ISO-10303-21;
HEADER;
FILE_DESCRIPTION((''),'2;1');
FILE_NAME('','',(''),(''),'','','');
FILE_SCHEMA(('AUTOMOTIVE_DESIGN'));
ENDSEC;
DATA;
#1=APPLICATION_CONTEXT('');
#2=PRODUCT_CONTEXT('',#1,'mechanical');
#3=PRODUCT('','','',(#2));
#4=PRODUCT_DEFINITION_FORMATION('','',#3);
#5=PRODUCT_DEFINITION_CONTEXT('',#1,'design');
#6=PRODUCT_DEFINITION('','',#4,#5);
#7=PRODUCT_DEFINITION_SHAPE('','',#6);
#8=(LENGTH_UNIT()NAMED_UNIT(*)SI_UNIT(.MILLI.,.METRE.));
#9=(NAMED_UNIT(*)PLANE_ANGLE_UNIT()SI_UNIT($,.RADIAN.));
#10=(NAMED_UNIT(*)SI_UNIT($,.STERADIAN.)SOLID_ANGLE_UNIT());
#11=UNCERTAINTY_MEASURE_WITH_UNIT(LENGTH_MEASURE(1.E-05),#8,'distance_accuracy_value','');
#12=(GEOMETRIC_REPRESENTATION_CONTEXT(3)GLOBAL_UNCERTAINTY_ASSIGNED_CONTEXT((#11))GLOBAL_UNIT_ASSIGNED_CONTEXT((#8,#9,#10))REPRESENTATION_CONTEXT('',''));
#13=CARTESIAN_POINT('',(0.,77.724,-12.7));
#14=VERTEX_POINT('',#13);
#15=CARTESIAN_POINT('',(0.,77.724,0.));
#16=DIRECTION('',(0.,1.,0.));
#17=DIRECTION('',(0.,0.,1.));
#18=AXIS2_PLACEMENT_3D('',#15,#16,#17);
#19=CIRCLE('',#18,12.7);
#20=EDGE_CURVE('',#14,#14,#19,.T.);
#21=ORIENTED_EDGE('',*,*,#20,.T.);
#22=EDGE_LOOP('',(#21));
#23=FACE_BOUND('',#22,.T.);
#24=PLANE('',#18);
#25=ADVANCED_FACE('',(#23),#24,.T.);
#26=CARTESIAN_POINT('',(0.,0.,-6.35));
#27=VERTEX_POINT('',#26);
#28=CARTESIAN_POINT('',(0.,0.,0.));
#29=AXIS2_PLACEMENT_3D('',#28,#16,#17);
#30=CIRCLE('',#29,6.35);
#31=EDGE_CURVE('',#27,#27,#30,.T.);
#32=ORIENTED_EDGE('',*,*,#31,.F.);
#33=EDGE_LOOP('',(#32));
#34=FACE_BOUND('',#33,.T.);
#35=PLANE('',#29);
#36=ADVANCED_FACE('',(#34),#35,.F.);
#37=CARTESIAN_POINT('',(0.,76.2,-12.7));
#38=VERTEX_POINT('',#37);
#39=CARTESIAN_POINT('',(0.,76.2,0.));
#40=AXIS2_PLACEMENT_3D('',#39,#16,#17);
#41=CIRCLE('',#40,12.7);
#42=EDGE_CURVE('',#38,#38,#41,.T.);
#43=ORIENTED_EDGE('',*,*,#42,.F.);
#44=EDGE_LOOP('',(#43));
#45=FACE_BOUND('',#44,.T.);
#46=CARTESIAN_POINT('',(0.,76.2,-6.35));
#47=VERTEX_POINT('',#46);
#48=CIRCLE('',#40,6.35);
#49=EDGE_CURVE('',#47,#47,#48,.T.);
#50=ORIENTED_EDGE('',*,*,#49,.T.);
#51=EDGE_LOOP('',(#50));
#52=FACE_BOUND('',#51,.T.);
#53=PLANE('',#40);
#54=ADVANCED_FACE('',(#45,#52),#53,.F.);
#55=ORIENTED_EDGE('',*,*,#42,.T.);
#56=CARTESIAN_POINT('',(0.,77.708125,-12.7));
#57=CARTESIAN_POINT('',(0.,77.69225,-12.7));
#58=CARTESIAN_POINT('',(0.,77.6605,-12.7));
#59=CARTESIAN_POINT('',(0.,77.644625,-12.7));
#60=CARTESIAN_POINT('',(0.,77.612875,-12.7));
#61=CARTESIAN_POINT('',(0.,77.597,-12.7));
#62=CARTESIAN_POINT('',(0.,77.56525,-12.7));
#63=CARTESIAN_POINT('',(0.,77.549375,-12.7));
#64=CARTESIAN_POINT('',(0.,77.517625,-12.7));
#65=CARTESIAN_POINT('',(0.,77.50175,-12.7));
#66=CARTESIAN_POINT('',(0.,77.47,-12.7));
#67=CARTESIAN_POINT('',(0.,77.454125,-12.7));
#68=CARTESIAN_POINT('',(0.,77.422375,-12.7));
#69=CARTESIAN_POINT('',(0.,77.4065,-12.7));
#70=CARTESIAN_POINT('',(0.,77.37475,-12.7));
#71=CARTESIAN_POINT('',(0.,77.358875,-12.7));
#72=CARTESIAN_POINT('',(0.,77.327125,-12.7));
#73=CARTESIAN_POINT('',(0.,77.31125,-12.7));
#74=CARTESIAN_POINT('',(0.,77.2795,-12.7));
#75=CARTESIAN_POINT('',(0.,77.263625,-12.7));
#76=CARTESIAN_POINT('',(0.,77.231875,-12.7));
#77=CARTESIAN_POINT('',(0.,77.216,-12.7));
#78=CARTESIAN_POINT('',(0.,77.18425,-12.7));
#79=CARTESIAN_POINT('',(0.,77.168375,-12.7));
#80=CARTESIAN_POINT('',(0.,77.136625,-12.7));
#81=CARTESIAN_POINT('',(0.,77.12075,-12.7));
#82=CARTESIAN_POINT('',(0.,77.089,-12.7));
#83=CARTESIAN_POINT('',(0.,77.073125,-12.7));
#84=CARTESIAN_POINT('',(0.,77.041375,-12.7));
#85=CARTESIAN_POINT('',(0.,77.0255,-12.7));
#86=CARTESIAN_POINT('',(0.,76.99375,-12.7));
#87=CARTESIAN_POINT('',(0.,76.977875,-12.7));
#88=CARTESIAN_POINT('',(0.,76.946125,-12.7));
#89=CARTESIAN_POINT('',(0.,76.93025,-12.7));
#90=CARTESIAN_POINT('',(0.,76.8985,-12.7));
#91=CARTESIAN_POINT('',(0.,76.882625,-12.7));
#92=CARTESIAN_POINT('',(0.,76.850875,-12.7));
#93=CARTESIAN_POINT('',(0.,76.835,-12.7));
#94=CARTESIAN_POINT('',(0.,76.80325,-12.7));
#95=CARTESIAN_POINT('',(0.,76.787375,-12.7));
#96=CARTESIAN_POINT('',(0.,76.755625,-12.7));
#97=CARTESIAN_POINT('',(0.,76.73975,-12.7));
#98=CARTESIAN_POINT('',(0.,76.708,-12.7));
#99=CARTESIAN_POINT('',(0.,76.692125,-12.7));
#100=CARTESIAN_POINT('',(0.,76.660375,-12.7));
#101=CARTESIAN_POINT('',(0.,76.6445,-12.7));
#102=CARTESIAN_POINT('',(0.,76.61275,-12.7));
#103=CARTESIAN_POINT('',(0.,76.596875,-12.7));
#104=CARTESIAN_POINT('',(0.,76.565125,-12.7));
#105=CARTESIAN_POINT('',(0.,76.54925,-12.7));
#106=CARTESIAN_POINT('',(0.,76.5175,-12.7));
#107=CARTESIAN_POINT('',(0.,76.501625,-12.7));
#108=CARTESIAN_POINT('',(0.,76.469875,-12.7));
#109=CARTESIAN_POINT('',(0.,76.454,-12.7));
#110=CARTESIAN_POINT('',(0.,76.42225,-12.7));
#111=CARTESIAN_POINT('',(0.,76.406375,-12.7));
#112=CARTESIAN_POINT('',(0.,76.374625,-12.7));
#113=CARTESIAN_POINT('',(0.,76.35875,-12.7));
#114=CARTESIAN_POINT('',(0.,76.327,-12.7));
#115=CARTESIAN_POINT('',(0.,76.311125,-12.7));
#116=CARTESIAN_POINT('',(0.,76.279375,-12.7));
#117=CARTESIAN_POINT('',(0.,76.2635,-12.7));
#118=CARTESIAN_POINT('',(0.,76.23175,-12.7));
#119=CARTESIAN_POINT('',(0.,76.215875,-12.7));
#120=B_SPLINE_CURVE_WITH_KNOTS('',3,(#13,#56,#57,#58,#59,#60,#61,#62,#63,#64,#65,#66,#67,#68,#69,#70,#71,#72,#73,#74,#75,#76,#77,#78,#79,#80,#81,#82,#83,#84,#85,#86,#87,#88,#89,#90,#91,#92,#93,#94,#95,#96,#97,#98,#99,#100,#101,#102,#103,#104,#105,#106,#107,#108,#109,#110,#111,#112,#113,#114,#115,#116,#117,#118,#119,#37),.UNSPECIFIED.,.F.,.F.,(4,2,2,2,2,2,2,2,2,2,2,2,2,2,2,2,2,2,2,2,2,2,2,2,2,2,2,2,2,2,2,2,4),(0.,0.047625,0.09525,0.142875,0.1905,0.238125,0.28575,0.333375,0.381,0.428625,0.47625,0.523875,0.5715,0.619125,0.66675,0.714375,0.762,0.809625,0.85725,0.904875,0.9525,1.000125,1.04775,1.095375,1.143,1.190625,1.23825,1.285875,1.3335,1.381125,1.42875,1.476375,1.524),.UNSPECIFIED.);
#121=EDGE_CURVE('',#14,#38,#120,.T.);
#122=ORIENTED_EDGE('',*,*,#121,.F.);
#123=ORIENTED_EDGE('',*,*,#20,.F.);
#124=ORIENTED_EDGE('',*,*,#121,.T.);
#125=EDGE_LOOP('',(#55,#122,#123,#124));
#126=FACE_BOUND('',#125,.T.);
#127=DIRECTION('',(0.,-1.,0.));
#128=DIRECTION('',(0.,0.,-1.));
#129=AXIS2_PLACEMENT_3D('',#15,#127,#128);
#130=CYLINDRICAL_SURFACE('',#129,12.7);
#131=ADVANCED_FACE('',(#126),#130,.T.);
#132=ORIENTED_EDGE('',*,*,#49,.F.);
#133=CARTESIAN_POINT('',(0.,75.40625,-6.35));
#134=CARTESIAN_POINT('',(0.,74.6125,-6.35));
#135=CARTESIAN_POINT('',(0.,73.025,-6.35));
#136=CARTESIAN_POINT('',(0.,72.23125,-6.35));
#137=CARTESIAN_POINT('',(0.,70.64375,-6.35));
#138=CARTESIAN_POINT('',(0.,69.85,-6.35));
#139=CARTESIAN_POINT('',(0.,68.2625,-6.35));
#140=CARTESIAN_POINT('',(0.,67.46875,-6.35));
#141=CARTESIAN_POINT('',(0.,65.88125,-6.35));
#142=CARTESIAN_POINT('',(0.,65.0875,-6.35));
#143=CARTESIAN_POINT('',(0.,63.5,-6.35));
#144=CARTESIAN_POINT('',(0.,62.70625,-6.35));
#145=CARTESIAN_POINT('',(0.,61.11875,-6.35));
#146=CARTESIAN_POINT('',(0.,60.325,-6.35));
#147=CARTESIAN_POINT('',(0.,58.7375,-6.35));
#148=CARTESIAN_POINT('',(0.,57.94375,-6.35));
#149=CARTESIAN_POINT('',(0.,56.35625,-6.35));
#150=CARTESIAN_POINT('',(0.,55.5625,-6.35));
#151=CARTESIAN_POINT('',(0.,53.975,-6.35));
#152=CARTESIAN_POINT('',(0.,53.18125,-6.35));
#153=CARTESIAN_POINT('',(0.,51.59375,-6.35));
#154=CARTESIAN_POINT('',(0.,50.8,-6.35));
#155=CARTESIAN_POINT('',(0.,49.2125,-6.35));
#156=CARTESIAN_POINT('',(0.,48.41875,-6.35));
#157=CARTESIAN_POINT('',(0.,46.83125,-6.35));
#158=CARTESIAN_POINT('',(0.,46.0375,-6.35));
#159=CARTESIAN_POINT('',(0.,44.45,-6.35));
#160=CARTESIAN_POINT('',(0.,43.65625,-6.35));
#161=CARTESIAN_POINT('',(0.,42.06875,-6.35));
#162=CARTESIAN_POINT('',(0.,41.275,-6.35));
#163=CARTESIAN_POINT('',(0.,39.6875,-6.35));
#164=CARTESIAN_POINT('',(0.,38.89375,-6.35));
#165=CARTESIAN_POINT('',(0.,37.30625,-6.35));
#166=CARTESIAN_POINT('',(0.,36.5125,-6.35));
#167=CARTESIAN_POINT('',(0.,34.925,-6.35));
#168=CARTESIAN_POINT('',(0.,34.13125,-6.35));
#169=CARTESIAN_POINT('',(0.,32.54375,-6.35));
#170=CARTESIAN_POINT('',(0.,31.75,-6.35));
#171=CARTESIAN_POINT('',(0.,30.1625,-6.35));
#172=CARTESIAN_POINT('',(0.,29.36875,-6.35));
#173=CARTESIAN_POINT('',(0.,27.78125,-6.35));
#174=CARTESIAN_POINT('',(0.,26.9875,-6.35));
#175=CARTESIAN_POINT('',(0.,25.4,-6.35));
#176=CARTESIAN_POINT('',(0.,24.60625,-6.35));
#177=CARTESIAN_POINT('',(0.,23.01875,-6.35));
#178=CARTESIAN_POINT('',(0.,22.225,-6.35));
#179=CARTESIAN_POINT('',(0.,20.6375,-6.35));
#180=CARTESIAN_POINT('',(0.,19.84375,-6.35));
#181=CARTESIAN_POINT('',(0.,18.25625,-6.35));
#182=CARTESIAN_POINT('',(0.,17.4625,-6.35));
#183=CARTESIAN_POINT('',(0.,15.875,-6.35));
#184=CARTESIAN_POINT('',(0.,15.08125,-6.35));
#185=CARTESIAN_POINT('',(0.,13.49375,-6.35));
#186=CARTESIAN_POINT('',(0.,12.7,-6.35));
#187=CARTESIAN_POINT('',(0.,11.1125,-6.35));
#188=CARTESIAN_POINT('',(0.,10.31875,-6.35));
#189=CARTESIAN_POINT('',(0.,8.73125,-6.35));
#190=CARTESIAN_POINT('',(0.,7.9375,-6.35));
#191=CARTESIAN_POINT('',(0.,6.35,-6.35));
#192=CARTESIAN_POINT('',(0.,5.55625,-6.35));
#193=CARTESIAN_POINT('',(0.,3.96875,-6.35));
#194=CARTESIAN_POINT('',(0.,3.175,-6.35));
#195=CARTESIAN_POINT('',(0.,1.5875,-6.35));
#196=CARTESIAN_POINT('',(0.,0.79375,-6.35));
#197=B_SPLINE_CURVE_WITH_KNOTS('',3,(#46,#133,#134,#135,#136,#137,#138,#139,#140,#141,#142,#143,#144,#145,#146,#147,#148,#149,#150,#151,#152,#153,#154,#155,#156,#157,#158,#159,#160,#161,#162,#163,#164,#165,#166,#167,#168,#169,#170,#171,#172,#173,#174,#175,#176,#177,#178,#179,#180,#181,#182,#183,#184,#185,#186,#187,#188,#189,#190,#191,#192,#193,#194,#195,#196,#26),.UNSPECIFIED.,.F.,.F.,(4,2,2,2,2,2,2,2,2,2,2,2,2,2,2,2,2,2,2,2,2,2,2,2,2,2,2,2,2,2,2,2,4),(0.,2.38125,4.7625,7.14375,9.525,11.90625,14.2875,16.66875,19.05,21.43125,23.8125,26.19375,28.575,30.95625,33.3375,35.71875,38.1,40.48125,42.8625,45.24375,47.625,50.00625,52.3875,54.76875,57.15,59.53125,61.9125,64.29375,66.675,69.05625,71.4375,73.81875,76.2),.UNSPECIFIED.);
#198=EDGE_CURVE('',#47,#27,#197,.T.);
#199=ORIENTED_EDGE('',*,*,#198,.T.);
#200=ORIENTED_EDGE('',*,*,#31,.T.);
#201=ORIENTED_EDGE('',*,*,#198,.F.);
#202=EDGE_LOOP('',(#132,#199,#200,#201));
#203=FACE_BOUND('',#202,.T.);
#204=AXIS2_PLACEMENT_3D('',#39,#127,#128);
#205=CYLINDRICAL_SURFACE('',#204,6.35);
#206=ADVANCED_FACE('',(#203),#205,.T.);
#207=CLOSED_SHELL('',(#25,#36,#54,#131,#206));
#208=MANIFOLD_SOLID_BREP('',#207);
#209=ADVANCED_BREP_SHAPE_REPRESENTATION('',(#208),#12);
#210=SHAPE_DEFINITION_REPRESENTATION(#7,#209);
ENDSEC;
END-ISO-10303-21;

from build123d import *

# Parameters (mm, degrees)
SKETCH1_R           = 6.35
BOSS_EXTRUDE1_DEPTH = 76.2
SKETCH2_R           = 12.7
BOSS_EXTRUDE2_DEPTH = 1.524


with BuildPart() as part:
    # Sketch1 → Boss-Extrude1 (new body)
    with BuildSketch(Plane(origin=(0, 0, 0), x_dir=(1, 0, 0), z_dir=(0, 1, 0))):
        with Locations(Location((0, 0, 0), (0, 0, 90))):
            Circle(SKETCH1_R)
    extrude(amount=BOSS_EXTRUDE1_DEPTH)

    # Sketch2 → Boss-Extrude2 (add)
    with BuildSketch(Plane(origin=(0, 76.2, 0), x_dir=(1, 0, 0), z_dir=(0, 1, 0))):
        with Locations(Location((0, 0, 0), (0, 0, 90))):
            Circle(SKETCH2_R)
    extrude(amount=BOSS_EXTRUDE2_DEPTH)


solid = part.part
